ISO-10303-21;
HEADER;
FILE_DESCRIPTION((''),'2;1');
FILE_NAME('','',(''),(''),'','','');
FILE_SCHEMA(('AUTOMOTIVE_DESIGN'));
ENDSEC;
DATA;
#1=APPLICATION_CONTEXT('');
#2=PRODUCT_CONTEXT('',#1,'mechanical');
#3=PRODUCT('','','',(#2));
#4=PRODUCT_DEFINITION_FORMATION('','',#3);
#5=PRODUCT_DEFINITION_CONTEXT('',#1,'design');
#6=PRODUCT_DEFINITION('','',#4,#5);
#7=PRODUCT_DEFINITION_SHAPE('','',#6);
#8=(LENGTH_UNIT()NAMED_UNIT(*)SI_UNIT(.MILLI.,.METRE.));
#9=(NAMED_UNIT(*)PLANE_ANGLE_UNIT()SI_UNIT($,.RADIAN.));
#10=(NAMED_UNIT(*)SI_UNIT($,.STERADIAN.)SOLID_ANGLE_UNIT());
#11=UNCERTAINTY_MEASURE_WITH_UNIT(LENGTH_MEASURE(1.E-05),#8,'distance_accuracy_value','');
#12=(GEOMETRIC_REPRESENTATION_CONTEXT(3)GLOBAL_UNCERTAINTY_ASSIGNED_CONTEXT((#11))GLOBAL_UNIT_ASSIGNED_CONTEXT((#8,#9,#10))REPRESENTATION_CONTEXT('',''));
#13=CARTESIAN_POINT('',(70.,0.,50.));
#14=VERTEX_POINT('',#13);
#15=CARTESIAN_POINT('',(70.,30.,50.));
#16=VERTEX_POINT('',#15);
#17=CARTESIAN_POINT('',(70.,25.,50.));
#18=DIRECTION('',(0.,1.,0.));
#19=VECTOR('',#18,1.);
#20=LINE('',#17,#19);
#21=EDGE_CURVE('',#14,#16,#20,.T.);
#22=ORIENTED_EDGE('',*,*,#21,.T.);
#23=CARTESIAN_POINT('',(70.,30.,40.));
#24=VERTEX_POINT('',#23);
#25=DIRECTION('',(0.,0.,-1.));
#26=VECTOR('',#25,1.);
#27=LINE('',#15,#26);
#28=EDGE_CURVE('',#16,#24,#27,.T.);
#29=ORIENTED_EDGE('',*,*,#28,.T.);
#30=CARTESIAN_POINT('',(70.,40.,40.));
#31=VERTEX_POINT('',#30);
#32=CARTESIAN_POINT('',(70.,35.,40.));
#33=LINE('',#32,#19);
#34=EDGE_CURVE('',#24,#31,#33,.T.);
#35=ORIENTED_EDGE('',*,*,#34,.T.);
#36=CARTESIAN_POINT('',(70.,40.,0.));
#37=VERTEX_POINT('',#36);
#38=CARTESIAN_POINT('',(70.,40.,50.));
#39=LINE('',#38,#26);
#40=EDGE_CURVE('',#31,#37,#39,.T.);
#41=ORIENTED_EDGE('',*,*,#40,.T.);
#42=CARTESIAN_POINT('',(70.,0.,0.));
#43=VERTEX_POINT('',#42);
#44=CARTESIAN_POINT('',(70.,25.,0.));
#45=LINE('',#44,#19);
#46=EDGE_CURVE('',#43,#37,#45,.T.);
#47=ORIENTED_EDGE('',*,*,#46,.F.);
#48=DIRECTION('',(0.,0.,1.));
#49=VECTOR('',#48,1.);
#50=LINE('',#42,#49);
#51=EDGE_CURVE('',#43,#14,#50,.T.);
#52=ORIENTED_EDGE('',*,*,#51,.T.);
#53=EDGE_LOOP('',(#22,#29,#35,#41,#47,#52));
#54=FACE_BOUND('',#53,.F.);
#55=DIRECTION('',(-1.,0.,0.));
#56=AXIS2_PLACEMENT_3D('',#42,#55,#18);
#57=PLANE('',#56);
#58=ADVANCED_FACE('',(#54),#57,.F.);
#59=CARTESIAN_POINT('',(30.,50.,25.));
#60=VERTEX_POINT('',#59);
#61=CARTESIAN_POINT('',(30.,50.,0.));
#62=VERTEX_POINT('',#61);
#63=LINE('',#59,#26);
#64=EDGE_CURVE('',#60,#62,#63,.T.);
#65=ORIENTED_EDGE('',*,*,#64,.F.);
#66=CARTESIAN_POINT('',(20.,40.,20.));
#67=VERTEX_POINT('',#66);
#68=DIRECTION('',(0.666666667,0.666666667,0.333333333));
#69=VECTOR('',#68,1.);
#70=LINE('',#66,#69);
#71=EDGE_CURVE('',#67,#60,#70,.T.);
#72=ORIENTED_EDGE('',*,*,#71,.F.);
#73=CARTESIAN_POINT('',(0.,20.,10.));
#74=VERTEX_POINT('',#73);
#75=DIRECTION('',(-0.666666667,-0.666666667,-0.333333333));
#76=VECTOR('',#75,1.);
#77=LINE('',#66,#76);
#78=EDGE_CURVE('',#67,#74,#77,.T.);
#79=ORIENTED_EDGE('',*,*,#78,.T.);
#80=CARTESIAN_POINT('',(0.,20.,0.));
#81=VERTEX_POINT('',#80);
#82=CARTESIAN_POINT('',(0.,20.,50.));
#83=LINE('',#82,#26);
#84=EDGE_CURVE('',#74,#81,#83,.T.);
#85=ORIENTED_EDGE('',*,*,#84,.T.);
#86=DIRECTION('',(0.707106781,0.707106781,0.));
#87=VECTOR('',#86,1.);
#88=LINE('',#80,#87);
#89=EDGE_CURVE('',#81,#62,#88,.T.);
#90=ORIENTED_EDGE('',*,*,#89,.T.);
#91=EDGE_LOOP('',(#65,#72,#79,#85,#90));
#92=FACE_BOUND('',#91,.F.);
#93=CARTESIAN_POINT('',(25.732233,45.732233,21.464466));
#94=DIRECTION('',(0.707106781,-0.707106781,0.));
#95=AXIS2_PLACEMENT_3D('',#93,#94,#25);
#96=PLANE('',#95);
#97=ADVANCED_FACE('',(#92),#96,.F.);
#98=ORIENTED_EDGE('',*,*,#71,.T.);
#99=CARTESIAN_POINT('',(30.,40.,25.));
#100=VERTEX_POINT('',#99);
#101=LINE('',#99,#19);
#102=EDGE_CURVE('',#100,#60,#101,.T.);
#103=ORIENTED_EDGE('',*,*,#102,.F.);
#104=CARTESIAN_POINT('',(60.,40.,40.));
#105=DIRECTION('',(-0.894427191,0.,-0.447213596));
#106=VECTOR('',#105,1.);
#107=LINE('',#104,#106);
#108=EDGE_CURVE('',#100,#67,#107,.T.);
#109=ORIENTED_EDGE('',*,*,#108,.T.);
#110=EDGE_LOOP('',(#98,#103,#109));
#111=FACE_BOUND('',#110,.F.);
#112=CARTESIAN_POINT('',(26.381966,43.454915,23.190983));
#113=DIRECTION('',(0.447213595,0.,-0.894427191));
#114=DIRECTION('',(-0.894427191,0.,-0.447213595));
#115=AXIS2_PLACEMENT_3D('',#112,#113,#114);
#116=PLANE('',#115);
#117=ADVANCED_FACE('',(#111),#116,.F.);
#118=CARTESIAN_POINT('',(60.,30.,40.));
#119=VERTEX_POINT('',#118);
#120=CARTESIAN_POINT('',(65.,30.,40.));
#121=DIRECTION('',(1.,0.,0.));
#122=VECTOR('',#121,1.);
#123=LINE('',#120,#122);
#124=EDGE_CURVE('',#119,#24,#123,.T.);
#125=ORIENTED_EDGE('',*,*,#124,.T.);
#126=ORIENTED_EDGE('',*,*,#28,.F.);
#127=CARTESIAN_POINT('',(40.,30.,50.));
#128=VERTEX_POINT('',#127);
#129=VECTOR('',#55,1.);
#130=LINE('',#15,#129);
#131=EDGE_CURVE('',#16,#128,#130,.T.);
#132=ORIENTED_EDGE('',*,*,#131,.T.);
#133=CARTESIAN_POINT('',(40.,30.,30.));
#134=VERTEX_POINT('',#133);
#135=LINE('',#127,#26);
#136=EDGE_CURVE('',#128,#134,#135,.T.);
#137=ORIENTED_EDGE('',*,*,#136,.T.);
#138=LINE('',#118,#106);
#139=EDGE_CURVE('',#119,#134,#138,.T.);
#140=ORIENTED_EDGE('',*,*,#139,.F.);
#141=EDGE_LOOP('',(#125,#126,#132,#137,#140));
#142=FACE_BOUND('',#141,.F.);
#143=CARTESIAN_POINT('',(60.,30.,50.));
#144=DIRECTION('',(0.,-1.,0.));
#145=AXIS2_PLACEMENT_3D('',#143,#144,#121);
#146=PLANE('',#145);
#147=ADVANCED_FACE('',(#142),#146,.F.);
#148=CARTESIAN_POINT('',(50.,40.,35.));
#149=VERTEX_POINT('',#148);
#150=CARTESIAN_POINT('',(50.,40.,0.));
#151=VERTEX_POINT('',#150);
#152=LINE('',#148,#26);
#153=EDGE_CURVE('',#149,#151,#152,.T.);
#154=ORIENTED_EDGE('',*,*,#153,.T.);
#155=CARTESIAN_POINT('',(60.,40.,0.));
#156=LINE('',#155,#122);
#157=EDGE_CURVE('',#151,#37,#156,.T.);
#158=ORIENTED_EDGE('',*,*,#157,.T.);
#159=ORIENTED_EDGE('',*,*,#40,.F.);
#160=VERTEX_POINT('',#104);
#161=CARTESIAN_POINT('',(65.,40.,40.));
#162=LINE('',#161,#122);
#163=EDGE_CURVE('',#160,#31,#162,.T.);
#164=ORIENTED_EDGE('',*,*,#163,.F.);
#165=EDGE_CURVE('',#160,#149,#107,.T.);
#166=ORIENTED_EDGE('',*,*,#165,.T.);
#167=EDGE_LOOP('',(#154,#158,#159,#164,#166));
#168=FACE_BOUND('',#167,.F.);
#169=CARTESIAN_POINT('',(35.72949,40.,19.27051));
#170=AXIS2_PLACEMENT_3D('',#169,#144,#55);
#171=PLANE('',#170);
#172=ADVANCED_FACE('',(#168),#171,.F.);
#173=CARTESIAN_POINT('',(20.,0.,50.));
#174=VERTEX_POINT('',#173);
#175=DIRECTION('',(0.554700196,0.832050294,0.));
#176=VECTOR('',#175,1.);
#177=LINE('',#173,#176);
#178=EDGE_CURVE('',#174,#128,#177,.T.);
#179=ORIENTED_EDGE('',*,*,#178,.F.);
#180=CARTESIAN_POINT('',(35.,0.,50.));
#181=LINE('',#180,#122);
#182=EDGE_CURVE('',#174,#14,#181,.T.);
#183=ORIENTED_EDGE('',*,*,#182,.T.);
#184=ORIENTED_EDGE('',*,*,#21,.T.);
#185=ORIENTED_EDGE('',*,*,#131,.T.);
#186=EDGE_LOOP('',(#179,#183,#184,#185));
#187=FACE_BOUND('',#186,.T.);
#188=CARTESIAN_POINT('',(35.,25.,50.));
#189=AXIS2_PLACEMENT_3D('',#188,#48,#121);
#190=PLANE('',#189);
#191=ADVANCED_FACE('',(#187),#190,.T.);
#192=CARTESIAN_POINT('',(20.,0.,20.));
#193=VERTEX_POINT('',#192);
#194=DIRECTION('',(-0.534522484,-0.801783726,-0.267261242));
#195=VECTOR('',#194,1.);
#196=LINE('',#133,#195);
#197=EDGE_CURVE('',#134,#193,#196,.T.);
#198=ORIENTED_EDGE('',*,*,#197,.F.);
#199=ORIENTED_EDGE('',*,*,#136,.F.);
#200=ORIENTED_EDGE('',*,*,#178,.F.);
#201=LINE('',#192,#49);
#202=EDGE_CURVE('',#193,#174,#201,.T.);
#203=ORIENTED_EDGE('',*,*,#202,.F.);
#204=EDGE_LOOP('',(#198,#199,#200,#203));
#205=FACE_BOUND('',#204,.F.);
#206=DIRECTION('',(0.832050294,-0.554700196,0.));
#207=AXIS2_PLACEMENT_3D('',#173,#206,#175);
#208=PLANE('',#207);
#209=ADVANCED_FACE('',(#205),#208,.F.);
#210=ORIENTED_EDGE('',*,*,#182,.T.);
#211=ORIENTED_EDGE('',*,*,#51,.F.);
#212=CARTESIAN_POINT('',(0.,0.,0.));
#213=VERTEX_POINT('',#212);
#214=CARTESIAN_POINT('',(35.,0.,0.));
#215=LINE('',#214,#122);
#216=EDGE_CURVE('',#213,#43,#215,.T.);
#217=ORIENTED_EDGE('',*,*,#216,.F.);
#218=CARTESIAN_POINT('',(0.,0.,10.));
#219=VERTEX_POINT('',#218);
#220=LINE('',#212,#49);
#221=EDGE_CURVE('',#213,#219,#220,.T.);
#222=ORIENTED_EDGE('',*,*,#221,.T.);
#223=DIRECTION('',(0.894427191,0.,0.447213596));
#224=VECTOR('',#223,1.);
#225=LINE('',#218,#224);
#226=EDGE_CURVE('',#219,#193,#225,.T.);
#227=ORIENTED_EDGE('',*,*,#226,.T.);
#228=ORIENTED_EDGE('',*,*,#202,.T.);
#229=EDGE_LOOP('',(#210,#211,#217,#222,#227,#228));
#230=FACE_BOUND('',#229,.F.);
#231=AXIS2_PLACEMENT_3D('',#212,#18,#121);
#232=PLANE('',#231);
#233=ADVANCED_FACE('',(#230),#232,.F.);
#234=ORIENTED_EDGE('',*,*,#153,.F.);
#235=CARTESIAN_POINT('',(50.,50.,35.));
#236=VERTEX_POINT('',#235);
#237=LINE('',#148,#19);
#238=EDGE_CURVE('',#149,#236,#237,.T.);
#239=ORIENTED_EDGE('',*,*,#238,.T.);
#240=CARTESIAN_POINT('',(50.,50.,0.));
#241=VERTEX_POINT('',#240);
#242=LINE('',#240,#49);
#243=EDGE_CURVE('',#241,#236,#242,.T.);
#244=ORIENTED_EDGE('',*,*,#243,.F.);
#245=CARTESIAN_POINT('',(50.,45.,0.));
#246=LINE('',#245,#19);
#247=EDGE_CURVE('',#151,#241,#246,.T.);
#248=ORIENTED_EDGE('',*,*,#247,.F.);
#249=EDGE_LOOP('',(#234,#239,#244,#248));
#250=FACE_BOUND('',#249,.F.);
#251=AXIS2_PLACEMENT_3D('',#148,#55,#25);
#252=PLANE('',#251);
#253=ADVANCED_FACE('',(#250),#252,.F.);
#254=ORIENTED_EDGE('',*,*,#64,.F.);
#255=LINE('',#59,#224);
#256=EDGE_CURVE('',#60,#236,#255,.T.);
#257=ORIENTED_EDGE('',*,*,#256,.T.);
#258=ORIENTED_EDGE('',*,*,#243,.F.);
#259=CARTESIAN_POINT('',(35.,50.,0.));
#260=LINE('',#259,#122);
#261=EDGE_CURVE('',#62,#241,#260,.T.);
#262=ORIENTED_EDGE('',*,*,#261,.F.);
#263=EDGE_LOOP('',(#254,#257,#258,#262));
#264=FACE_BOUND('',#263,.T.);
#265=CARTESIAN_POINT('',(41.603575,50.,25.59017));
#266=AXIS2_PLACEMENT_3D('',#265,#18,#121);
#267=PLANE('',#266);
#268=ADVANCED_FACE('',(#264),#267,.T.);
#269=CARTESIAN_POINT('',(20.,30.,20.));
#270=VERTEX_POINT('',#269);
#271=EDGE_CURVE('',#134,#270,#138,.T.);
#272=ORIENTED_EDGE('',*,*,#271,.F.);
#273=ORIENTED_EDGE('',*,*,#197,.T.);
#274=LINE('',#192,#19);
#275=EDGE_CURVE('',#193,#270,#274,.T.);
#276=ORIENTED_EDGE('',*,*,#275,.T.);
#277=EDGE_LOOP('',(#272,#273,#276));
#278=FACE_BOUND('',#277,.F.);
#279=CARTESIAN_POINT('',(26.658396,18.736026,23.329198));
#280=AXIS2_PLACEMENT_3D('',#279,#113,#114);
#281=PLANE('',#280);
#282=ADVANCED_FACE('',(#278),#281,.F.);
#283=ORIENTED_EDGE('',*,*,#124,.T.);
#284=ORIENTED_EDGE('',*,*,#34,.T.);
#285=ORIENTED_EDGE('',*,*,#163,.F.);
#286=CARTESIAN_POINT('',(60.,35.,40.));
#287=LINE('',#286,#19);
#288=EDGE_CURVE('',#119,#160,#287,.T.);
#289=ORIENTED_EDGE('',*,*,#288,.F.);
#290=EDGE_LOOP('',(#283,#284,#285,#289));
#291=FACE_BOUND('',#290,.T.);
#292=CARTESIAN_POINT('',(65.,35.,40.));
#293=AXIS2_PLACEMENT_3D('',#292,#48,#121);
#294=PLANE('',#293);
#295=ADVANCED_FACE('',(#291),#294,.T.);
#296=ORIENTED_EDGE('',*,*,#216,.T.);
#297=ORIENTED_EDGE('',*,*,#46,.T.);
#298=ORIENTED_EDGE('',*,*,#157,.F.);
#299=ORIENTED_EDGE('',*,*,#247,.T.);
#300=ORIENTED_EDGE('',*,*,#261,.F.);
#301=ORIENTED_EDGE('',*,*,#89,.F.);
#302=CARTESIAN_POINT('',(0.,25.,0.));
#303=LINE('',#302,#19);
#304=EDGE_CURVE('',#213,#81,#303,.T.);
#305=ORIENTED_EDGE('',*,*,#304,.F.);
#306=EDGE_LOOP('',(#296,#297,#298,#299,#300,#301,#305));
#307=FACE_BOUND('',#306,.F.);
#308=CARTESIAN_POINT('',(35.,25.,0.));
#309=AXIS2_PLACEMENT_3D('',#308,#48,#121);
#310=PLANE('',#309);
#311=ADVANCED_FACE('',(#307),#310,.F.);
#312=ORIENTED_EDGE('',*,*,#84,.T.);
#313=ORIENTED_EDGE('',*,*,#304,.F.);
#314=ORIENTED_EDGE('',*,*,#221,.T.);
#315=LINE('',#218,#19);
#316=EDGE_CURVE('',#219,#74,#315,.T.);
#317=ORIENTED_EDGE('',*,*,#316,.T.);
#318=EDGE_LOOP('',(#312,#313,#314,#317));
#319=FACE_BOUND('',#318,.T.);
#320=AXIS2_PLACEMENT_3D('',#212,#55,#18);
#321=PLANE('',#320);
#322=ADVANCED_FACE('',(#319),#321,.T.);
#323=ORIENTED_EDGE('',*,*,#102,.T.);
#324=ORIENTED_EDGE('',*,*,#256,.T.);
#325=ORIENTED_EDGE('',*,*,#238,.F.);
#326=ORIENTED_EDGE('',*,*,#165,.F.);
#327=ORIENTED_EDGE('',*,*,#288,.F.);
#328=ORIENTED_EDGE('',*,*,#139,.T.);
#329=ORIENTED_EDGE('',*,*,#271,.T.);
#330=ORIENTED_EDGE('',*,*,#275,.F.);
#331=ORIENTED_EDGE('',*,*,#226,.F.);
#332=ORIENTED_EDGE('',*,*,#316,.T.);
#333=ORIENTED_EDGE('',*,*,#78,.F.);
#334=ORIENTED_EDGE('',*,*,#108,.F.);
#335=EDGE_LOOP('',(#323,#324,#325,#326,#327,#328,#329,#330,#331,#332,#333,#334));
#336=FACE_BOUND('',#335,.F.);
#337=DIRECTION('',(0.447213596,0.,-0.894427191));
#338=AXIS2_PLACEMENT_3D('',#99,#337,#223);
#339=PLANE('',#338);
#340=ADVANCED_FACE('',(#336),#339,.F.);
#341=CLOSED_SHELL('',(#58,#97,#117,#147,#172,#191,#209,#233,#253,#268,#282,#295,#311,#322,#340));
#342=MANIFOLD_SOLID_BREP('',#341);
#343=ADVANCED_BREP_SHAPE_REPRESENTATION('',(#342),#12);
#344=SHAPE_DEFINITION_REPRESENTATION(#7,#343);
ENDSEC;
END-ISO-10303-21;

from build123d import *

# Parameters (mm, degrees)
SKETCH1_W           = 70
SKETCH1_H           = 50
BOSS_EXTRUDE1_DEPTH = 50
SKETCH2_W           = 20
SKETCH2_H           = 10
CUT_EXTRUDE1_DEPTH  = 50
CUT_EXTRUDE2_DEPTH  = 50
CUT_EXTRUDE3_DEPTH  = 30
SKETCH6_W           = 10
SKETCH6_H           = 10
CUT_EXTRUDE4_DEPTH  = 10
BOSS_EXTRUDE2_DEPTH = 10
CUT_EXTRUDE5_DEPTH  = 10
BOSS_EXTRUDE3_DEPTH = 10
BOSS_EXTRUDE4_DEPTH = 10
BOSS_EXTRUDE5_DEPTH = 10
BOSS_EXTRUDE6_DEPTH = 22


with BuildPart() as part:
    # Sketch1 → Boss-Extrude1 (new body)
    with BuildSketch(Plane.XY):
        with Locations((35, 25)):
            Rectangle(SKETCH1_W, SKETCH1_H)
    extrude(amount=BOSS_EXTRUDE1_DEPTH)

    # Sketch2 → Cut-Extrude1 (cut)
    with BuildSketch(Plane.XY.offset(50)):
        Polygon((0, 20), (30, 50), (0, 50), align=None)
        with Locations((60, 45)):
            Rectangle(SKETCH2_W, SKETCH2_H)
    extrude(amount=-CUT_EXTRUDE1_DEPTH, mode=Mode.SUBTRACT)

    # Sketch3 → Cut-Extrude2 (cut)
    with BuildSketch(Plane.XZ):
        Polygon((0, 10), (20, 20), (20, 50), (0, 50), align=None)
    extrude(amount=-CUT_EXTRUDE2_DEPTH, mode=Mode.SUBTRACT)

    # Sketch5 → Cut-Extrude3 (cut)
    with BuildSketch(Plane.XY.offset(50)):
        Polygon((20, 0), (40, 30), (60, 30), (60, 40), (50, 40), (50, 50), (30, 50), (20, 40), align=None)
    extrude(amount=-CUT_EXTRUDE3_DEPTH, mode=Mode.SUBTRACT)

    # Sketch6 → Cut-Extrude4 (cut)
    with BuildSketch(Plane.XY.offset(50)):
        with Locations((65, 35)):
            Rectangle(SKETCH6_W, SKETCH6_H)
    extrude(amount=-CUT_EXTRUDE4_DEPTH, mode=Mode.SUBTRACT)

    # Sketch7 → Boss-Extrude2 (add)
    with BuildSketch(Plane(origin=(0, 40, 0), x_dir=(1, 0, 0), z_dir=(0, 1, 0))):
        Polygon((60, -40), (0, -10), (60, -10), (60, -20), align=None)
    extrude(amount=-BOSS_EXTRUDE2_DEPTH)

    # Sketch8 → Cut-Extrude5 (cut)
    with BuildSketch(Plane(origin=(0, 0, 10), x_dir=(-1, 0, 0), z_dir=(0, 0, -1))):
        Polygon((0, 30), (-10, 30), (-20, 40), (0, 40), align=None)
    extrude(amount=-CUT_EXTRUDE5_DEPTH, mode=Mode.SUBTRACT)

    # Sketch9 → Boss-Extrude3 (add)
    with BuildSketch(Plane(origin=(0, 40, 0), x_dir=(1, 0, 0), z_dir=(0, 1, 0))):
        Polygon((30, -25), (50, -35), (50, -20), (30, -20), align=None)
    extrude(amount=BOSS_EXTRUDE3_DEPTH)

    # Sketch10 → Boss-Extrude4 (add)
    with BuildSketch(Plane(origin=(-4, 0, 8), x_dir=(0.894427191, 0, 0.447213595), z_dir=(-0.447213595, 0, 0.894427191))):
        Polygon((26.83281573, 40), (38.013155617, 50), (38.013155617, 40), align=None)
    extrude(amount=-BOSS_EXTRUDE4_DEPTH)

    # Sketch11 → Boss-Extrude5 (add)
    with BuildSketch(Plane(origin=(-10, 10, 0), x_dir=(0, 0, 1), z_dir=(-0.707106781, 0.707106781, 0))):
        Polygon((20, 42.426406871), (20, 56.568542495), (25, 56.568542495), align=None)
    extrude(amount=-BOSS_EXTRUDE5_DEPTH)

    # Sketch12 → Boss-Extrude6 (add)
    with BuildSketch(Plane(origin=(-4, 0, 8), x_dir=(0.894427191, 0, 0.447213595), z_dir=(-0.447213595, 0, 0.894427191))):
        Polygon((26.83281573, 0), (26.83281573, 30), (49.193495505, 30), align=None)
    extrude(amount=-BOSS_EXTRUDE6_DEPTH)


solid = part.part
